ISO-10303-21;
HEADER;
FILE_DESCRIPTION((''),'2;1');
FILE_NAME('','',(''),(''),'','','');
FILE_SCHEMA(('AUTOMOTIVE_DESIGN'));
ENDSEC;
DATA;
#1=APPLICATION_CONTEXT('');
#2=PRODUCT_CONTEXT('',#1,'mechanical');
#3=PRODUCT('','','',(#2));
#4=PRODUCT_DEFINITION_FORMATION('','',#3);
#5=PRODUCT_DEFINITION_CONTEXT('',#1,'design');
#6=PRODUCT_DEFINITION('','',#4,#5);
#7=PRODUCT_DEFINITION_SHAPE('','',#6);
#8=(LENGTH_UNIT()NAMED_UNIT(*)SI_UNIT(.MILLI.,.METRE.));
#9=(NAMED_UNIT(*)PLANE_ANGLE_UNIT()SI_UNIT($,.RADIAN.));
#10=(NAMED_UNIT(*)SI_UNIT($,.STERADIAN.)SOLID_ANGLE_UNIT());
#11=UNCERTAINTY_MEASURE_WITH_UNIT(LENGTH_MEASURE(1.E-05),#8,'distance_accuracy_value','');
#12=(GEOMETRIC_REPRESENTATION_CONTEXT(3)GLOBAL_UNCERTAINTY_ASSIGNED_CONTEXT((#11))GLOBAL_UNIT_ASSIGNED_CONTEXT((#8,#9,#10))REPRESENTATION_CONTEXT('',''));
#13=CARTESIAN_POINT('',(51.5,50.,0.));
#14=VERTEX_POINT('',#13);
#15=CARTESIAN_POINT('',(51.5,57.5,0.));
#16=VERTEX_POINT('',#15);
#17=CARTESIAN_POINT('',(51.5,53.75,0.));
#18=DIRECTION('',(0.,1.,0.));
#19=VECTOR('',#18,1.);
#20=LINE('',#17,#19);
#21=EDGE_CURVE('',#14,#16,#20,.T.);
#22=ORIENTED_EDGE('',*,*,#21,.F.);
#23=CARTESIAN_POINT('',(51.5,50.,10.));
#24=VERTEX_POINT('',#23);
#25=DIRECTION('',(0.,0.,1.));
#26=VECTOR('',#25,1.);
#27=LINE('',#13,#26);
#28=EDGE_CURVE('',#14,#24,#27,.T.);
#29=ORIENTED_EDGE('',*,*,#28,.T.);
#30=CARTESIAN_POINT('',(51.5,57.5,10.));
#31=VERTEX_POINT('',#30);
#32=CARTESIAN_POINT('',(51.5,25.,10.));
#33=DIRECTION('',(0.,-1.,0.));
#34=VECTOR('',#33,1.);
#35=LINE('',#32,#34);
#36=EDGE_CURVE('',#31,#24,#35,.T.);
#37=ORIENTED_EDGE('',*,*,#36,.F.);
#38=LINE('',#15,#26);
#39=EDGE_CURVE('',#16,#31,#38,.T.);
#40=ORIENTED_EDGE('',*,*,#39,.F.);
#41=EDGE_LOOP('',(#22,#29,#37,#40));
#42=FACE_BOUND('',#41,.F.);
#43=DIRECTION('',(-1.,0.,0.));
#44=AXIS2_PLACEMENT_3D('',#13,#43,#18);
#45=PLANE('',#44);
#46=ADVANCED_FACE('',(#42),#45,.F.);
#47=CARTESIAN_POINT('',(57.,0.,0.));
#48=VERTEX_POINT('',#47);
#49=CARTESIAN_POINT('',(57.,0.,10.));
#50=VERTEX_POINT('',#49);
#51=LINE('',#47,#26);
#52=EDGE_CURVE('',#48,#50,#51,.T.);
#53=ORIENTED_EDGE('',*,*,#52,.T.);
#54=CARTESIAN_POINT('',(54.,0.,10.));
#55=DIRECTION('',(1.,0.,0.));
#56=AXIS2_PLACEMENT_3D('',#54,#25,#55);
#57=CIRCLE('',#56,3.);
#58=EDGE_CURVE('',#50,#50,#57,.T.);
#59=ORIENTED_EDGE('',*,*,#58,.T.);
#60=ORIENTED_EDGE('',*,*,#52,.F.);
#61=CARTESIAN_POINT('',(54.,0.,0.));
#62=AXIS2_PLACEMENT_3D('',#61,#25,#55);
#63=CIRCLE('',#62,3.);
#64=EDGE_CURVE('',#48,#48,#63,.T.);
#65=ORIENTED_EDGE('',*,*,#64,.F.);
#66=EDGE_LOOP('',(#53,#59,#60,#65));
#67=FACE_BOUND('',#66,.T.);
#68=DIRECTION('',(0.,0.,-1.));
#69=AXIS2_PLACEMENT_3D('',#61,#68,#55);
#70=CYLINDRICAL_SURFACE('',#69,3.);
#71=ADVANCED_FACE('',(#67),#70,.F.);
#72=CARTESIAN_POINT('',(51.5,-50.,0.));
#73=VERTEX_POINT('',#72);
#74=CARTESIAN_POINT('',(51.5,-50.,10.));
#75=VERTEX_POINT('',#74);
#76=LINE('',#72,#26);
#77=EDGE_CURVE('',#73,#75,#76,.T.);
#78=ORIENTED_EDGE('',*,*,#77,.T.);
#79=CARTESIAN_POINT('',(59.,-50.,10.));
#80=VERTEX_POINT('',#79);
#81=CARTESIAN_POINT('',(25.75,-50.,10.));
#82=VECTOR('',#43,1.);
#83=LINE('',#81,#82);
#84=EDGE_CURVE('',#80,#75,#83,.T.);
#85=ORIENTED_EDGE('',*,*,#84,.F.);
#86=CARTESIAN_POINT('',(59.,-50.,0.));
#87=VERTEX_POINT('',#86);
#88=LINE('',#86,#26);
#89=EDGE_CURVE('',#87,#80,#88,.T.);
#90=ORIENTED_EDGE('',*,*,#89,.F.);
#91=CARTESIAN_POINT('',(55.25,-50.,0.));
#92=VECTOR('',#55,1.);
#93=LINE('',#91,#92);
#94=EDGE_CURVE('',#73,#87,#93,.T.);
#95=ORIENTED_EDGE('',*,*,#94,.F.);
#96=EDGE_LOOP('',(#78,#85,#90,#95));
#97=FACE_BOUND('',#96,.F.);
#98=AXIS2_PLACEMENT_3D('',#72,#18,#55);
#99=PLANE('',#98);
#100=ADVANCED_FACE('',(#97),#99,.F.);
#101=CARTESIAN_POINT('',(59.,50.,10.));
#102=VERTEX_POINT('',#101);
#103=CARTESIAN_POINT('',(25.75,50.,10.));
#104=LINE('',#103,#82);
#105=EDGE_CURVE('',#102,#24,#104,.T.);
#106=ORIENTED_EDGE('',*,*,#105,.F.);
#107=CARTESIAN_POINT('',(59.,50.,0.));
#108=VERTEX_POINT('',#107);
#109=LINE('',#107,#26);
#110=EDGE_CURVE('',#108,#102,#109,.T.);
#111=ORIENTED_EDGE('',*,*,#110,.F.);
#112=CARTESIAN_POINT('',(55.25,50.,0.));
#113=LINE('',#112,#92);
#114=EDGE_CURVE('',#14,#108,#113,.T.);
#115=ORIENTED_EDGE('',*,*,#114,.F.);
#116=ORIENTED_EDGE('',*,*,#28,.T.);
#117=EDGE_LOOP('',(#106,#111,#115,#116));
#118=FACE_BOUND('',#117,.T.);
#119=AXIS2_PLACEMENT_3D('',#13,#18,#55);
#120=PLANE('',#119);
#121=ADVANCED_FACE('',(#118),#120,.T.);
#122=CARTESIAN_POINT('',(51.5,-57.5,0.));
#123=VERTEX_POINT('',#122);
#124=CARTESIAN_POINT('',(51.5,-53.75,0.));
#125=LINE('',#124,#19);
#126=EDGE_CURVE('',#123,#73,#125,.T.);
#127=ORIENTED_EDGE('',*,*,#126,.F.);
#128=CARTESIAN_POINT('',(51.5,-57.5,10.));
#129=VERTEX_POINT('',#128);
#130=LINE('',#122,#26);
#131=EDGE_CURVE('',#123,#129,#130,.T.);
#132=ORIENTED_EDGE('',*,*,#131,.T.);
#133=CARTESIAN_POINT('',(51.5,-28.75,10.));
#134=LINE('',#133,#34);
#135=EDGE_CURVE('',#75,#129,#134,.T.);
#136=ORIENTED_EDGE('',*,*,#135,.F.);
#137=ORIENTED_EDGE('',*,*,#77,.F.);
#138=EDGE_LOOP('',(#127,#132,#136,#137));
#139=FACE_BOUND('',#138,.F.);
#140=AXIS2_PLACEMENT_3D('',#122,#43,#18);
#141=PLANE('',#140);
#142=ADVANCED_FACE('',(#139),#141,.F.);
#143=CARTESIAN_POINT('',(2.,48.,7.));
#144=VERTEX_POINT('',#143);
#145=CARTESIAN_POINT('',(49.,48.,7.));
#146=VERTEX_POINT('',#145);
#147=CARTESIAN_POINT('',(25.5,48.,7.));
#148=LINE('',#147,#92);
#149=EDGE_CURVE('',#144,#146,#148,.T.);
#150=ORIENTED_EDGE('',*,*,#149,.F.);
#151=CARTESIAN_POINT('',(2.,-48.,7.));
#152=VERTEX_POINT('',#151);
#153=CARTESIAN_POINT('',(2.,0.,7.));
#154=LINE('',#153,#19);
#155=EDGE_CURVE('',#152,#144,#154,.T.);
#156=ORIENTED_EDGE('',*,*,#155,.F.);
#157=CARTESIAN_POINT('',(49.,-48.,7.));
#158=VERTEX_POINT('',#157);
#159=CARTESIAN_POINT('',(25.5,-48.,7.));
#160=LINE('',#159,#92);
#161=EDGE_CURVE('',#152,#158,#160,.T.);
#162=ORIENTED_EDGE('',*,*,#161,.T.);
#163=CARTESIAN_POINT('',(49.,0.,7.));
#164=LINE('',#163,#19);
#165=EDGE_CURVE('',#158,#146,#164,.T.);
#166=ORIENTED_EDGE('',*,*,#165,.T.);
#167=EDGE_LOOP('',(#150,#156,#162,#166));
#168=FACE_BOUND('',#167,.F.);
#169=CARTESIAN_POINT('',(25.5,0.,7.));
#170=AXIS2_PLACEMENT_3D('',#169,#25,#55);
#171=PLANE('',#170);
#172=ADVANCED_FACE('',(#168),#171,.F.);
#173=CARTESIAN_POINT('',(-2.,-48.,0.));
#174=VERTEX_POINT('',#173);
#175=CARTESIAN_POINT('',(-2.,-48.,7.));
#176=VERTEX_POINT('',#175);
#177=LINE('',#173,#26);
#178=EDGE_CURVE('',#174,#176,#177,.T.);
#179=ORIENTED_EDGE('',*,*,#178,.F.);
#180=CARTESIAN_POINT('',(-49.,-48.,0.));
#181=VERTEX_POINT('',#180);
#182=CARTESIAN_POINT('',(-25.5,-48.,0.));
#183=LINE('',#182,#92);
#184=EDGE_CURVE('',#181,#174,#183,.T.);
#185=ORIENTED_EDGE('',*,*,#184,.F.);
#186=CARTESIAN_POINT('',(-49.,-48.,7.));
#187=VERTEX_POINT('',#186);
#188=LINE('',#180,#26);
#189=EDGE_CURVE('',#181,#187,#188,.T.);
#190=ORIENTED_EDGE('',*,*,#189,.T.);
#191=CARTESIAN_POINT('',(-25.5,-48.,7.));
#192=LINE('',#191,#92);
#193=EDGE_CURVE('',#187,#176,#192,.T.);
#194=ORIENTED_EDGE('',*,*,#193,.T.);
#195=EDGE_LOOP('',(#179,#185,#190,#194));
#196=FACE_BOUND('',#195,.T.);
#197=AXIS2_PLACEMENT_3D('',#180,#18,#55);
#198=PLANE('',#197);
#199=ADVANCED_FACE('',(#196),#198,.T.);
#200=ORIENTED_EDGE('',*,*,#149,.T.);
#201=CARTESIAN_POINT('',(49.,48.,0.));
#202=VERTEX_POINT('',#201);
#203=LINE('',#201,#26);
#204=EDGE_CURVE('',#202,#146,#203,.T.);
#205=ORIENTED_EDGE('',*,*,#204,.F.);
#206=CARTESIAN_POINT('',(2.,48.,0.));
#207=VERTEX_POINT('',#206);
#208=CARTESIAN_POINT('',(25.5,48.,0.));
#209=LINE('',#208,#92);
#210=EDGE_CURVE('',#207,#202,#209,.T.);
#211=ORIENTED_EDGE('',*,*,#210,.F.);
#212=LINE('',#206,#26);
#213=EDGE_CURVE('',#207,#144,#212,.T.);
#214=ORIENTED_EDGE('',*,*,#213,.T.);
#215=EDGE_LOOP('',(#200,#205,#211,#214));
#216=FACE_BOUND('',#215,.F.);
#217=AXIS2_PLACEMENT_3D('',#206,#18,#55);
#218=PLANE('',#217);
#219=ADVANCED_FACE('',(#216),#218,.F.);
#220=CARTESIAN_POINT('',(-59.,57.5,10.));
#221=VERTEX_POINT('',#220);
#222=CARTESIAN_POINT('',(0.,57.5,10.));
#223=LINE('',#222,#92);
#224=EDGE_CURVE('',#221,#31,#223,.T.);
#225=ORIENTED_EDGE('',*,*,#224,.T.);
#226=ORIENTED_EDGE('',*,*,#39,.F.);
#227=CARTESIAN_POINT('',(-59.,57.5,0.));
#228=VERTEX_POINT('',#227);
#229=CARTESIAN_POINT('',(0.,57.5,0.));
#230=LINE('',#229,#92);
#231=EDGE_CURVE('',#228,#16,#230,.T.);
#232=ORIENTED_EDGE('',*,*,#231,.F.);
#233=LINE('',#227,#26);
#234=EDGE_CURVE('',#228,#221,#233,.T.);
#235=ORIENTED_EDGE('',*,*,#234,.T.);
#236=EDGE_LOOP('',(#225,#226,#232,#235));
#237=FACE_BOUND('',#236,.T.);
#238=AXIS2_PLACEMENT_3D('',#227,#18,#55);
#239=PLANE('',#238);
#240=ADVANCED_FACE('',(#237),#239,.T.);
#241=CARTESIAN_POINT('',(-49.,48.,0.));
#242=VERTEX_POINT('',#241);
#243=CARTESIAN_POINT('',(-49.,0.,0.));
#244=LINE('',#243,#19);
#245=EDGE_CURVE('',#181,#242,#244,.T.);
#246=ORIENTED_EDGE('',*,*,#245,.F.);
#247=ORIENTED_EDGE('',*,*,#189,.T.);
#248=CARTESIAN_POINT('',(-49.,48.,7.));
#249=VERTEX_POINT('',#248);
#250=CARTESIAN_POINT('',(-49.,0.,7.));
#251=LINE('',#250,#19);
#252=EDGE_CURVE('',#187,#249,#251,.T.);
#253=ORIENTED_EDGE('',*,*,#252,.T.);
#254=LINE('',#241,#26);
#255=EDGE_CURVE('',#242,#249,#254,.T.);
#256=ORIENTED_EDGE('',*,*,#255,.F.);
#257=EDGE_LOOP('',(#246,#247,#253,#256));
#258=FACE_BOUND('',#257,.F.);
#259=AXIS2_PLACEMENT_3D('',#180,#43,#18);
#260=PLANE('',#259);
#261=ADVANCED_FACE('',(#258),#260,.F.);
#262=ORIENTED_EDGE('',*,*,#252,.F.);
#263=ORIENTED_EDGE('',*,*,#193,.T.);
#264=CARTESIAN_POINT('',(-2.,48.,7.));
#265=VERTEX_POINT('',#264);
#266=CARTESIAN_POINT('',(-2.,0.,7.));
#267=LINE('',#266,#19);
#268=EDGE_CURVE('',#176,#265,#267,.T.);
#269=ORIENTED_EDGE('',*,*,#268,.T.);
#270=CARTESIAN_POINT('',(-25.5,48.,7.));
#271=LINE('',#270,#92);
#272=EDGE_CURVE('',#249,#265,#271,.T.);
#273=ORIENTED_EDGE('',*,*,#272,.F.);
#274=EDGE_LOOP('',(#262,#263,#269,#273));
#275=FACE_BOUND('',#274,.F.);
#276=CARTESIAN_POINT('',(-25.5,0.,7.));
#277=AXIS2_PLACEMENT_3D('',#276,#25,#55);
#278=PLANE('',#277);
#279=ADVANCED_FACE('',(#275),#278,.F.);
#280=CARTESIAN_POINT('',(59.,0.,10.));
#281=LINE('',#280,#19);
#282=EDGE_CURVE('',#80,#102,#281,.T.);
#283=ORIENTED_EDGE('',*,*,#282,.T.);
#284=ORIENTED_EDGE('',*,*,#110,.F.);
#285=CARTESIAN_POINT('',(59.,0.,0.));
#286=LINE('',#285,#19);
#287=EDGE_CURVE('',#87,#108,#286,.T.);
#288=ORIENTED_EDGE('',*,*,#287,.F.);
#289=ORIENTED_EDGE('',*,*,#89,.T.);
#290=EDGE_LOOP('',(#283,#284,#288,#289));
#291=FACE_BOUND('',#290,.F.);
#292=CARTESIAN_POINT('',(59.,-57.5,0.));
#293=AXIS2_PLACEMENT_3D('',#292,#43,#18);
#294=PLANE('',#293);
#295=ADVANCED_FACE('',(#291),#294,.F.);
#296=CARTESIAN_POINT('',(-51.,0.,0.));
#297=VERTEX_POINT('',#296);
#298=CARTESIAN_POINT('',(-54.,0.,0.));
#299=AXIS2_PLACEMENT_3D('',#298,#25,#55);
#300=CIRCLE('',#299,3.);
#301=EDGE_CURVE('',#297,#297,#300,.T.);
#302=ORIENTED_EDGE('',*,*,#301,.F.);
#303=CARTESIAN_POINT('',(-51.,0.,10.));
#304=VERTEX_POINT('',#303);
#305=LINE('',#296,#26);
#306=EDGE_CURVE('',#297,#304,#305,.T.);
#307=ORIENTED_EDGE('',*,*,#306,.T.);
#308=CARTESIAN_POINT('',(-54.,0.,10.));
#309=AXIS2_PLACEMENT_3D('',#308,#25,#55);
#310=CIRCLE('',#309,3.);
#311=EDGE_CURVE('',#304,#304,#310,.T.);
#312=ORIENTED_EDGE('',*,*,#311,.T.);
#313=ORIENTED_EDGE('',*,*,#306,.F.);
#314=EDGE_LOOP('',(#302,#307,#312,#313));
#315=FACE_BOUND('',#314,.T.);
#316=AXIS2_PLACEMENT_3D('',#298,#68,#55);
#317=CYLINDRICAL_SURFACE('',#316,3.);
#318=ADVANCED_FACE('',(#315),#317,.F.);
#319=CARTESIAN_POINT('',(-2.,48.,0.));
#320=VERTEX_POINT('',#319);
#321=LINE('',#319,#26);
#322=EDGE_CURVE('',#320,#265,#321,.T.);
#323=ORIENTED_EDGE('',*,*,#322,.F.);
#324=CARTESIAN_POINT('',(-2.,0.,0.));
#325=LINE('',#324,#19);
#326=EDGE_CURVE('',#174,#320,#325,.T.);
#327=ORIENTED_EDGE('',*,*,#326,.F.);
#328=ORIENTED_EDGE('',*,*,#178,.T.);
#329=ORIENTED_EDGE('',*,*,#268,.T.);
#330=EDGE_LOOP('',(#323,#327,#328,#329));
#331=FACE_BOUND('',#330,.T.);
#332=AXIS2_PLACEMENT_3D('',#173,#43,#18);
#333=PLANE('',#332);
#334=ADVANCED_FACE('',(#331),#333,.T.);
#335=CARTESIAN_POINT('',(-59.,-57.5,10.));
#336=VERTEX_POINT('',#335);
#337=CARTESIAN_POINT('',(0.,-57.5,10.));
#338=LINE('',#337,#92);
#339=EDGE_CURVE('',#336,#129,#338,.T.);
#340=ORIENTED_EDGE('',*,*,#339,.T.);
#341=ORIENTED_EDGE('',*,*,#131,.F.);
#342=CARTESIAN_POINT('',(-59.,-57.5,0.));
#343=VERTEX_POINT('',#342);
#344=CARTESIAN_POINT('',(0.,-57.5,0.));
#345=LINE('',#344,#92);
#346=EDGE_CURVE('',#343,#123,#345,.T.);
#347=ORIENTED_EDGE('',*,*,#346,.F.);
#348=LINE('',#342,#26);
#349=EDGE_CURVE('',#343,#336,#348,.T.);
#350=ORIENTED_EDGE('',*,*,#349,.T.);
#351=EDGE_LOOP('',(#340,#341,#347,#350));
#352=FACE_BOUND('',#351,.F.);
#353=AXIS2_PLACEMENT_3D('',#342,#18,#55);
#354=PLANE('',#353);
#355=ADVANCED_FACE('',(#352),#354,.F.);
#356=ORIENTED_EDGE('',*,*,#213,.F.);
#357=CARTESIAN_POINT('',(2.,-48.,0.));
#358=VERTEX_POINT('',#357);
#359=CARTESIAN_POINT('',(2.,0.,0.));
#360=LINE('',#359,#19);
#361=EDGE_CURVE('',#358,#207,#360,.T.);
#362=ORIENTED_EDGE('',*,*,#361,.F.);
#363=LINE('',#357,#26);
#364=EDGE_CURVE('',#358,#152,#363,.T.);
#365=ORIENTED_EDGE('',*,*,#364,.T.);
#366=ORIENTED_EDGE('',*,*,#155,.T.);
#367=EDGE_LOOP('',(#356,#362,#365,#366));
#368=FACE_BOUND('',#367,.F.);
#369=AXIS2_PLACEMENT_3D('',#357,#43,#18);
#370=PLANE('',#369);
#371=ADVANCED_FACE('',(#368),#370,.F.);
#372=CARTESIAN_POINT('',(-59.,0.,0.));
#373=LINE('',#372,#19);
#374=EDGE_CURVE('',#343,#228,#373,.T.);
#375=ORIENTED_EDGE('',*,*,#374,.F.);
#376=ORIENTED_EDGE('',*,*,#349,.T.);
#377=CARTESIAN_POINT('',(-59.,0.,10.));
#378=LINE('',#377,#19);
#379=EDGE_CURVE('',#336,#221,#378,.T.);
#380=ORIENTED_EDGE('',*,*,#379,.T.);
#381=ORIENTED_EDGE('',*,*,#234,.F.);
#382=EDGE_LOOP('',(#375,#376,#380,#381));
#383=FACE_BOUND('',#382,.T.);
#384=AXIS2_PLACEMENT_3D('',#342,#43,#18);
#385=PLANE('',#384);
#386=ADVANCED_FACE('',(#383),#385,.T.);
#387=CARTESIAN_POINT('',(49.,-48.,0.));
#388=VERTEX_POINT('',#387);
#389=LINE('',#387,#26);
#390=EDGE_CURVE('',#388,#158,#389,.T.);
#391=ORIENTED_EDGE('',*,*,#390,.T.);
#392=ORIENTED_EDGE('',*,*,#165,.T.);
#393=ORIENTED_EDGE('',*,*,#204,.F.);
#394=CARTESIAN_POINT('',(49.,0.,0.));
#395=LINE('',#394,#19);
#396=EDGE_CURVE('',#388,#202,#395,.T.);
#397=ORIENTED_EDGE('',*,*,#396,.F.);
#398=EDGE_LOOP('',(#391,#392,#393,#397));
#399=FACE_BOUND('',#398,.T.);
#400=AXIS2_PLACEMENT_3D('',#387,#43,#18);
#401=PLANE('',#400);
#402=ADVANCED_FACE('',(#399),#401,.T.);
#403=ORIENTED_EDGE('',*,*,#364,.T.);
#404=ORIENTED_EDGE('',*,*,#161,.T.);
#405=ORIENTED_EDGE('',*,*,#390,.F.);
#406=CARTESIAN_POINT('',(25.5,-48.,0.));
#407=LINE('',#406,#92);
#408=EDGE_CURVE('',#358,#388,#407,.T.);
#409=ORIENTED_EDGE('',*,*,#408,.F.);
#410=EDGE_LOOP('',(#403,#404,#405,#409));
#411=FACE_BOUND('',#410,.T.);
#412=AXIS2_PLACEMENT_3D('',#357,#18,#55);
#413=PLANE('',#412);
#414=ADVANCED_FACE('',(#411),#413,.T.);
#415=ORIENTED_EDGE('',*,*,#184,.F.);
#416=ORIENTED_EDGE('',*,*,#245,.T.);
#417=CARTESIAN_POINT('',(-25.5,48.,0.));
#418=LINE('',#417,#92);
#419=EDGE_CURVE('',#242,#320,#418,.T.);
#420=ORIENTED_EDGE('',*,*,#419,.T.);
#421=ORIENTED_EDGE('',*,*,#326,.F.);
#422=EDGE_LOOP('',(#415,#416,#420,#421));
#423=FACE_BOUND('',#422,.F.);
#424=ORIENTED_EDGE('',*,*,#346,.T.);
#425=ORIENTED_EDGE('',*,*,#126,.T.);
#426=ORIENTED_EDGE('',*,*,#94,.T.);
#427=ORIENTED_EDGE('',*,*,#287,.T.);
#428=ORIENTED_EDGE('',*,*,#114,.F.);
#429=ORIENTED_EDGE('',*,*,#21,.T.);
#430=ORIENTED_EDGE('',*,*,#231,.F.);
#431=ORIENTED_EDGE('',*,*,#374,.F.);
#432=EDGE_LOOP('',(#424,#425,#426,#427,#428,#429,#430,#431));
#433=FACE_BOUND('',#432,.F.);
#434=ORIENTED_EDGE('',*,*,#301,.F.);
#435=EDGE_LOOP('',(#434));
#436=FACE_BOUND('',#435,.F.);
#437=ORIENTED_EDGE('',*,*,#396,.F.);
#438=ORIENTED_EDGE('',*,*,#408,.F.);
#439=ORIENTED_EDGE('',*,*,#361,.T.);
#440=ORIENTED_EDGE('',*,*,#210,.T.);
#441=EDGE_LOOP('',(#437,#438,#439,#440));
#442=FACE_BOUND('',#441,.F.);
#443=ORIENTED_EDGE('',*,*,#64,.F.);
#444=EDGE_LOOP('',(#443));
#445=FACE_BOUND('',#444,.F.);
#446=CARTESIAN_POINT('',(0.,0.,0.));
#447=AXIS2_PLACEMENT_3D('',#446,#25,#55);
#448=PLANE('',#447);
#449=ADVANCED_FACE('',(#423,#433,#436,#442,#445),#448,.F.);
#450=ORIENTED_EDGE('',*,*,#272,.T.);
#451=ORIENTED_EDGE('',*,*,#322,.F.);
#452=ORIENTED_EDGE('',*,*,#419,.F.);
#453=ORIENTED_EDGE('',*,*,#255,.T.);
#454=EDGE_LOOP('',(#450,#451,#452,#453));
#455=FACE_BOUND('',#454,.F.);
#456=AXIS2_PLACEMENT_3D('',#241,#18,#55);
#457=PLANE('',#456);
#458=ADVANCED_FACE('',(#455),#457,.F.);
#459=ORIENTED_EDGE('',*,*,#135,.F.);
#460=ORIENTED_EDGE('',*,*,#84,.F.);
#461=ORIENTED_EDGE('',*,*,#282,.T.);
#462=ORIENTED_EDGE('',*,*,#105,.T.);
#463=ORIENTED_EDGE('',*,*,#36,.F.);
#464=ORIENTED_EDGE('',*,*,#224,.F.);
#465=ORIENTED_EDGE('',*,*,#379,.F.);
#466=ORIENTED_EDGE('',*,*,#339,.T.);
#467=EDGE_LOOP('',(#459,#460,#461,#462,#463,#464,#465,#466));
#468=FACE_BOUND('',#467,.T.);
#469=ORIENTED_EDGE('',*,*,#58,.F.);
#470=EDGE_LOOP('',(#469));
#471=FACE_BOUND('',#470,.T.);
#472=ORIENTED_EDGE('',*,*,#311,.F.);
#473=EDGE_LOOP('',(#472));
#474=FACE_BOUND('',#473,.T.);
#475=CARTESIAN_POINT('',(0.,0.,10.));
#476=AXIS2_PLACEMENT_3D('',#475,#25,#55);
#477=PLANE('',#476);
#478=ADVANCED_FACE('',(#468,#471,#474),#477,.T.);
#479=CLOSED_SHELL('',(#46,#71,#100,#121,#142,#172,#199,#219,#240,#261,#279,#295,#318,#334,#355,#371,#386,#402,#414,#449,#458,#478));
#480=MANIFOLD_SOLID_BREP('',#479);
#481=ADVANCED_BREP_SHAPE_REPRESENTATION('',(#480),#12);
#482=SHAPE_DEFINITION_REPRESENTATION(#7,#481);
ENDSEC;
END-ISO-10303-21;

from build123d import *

# Parameters (mm, degrees)
F0_W     = 118
F0_H     = 115
F0_R     = 3
F2_DEPTH = 10
F1_W     = 47
F1_H     = 96
F3_DEPTH = 7
F4_W     = 7.5
F4_H     = 7.5
F5_DEPTH = 25


with BuildPart() as f2:
    # F0 (on Top) → F2 (new body)
    with BuildSketch(Plane.XY):
        Rectangle(F0_W, F0_H)
        with Locations((-54, 0)):
            Circle(F0_R, mode=Mode.SUBTRACT)
        with Locations((54, 0)):
            Circle(F0_R, mode=Mode.SUBTRACT)
    extrude(amount=F2_DEPTH)

    # F1 (on Top) → F3 (cut)
    with BuildSketch(Plane.XY):
        with Locations((-25.5, 0)):
            Rectangle(F1_W, F1_H)
        with Locations((25.5, 0)):
            Rectangle(F1_W, F1_H)
    extrude(amount=F3_DEPTH, mode=Mode.SUBTRACT)

    # F4 (on Top) → F5 (cut)
    with BuildSketch(Plane.XY):
        with Locations((55.25, -53.75)):
            Rectangle(F4_W, F4_H)
        with Locations((55.25, 53.75)):
            Rectangle(F4_W, F4_H)
    extrude(amount=F5_DEPTH, mode=Mode.SUBTRACT)


solid = f2.part
